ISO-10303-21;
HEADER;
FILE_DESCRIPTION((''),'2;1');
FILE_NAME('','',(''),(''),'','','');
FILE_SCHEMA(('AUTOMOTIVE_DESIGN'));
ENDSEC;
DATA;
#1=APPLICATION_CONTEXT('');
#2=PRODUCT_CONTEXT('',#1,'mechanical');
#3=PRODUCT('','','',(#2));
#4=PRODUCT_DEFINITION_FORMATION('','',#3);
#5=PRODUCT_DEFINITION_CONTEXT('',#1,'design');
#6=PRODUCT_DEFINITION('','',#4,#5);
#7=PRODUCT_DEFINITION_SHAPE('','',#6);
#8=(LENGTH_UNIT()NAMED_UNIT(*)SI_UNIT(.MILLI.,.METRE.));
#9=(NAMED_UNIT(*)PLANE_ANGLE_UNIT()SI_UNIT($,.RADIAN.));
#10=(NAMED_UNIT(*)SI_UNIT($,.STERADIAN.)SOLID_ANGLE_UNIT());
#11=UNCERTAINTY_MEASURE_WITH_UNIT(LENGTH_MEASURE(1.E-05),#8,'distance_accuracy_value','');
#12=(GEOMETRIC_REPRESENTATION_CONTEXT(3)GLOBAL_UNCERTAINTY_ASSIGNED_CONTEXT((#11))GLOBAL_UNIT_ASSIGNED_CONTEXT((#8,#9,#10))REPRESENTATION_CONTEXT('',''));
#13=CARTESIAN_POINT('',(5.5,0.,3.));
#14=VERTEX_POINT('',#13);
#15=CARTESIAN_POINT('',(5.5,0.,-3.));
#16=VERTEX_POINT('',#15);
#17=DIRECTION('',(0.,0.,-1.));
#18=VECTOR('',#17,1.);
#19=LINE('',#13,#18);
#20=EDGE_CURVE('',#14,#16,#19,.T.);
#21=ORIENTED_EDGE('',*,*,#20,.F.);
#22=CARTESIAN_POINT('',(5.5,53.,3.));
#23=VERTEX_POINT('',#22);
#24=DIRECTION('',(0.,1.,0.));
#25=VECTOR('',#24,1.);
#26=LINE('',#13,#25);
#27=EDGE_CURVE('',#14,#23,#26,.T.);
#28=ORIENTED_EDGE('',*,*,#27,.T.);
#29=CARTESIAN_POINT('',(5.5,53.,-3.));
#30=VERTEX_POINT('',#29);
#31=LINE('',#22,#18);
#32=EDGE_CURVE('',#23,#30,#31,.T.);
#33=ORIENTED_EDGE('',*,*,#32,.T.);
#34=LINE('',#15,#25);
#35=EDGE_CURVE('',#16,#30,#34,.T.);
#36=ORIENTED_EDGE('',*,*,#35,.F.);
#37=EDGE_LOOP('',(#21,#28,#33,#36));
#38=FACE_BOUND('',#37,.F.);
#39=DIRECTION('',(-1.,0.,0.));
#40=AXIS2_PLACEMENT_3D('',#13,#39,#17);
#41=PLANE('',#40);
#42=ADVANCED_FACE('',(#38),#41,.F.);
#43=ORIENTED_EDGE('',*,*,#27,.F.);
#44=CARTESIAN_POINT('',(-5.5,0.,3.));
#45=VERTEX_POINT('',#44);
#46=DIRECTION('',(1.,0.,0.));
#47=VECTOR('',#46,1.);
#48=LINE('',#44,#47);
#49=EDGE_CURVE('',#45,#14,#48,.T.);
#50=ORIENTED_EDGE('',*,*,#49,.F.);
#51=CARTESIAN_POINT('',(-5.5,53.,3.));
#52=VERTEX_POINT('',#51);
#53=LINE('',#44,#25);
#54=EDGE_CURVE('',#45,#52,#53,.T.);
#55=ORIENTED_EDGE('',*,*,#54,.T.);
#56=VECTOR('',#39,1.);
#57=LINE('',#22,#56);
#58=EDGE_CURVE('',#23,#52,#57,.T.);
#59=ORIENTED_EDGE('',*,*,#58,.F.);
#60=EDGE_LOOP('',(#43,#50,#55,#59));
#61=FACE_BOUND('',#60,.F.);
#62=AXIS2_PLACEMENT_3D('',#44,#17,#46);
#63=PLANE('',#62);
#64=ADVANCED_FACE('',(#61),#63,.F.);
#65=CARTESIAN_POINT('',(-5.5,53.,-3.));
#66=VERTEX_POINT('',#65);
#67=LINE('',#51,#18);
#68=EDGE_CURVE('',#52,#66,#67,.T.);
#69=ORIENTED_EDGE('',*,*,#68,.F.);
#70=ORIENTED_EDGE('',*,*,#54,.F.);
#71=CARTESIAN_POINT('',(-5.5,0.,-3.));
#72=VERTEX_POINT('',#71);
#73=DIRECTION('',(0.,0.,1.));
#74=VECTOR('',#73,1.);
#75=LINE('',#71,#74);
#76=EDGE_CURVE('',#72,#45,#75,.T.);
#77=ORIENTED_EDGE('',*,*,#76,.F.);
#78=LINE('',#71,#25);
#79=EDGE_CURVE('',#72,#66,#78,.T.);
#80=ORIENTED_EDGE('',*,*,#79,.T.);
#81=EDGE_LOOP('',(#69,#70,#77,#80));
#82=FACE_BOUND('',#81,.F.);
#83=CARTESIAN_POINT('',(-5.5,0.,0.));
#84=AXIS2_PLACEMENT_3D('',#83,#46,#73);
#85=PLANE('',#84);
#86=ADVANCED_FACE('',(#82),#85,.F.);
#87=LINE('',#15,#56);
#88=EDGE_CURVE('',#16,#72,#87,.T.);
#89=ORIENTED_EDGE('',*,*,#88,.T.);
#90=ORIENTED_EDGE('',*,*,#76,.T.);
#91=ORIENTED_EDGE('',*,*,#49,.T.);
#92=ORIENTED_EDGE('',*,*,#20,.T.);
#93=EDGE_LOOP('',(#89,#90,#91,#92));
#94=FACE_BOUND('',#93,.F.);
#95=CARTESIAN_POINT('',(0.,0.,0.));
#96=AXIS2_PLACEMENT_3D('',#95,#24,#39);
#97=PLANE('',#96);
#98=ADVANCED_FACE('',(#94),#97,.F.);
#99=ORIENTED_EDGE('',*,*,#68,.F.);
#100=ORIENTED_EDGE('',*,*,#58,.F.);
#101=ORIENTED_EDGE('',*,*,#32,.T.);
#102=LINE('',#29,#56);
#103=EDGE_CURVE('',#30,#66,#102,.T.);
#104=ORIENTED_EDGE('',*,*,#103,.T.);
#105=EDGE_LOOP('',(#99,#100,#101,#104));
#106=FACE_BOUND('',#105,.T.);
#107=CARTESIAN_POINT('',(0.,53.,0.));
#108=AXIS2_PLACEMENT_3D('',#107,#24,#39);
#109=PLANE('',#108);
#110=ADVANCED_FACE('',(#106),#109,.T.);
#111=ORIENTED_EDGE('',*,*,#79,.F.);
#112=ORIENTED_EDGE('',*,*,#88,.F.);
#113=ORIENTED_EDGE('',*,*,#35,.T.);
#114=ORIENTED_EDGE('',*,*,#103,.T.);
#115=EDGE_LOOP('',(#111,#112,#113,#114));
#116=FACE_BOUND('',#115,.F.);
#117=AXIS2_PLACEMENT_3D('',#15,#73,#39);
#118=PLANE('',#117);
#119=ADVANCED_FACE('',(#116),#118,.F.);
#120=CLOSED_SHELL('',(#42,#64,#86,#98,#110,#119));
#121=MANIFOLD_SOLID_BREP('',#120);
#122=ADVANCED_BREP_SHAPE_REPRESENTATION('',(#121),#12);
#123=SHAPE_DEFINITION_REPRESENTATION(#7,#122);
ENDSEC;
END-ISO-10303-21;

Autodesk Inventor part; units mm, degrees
ref_plane "YZ Plane" through (0, 0, 0) normal (1, 0, 0) x (0, 1, 0)
ref_plane "XZ Plane" through (0, 0, 0) normal (0, 1, 0) x (-1, 0, 0)
ref_plane "XY Plane" through (0, 0, 0) normal (0, 0, 1) x (1, 0, 0)
sketch "Sketch2" plane through (0, 0, 0) normal (0, 1, 0) x (-1, 0, 0)
  line L0 (0, 0) -> (5.5, 0)
  line L1 (5.5, 0) -> (5.5, 3)
  line L2 (5.5, 3) -> (0, 3)
  line L3 (0, 3) -> (0, 0)
  line L4 (5.5, 3) -> (-5.5, 3)
  line L5 (-5.5, 3) -> (-5.5, -3)
  line L6 (-5.5, -3) -> (5.5, -3)
  line L7 (5.5, -3) -> (5.5, 3)
  dimension "d0" = 5.5
  dimension "d1" = 3
  dimension "d2" = 11
  dimension "d3" = 6
extrude "Extrusion1" add sketch "Sketch2" along normal blind 53
properties part number "Battery_small"
